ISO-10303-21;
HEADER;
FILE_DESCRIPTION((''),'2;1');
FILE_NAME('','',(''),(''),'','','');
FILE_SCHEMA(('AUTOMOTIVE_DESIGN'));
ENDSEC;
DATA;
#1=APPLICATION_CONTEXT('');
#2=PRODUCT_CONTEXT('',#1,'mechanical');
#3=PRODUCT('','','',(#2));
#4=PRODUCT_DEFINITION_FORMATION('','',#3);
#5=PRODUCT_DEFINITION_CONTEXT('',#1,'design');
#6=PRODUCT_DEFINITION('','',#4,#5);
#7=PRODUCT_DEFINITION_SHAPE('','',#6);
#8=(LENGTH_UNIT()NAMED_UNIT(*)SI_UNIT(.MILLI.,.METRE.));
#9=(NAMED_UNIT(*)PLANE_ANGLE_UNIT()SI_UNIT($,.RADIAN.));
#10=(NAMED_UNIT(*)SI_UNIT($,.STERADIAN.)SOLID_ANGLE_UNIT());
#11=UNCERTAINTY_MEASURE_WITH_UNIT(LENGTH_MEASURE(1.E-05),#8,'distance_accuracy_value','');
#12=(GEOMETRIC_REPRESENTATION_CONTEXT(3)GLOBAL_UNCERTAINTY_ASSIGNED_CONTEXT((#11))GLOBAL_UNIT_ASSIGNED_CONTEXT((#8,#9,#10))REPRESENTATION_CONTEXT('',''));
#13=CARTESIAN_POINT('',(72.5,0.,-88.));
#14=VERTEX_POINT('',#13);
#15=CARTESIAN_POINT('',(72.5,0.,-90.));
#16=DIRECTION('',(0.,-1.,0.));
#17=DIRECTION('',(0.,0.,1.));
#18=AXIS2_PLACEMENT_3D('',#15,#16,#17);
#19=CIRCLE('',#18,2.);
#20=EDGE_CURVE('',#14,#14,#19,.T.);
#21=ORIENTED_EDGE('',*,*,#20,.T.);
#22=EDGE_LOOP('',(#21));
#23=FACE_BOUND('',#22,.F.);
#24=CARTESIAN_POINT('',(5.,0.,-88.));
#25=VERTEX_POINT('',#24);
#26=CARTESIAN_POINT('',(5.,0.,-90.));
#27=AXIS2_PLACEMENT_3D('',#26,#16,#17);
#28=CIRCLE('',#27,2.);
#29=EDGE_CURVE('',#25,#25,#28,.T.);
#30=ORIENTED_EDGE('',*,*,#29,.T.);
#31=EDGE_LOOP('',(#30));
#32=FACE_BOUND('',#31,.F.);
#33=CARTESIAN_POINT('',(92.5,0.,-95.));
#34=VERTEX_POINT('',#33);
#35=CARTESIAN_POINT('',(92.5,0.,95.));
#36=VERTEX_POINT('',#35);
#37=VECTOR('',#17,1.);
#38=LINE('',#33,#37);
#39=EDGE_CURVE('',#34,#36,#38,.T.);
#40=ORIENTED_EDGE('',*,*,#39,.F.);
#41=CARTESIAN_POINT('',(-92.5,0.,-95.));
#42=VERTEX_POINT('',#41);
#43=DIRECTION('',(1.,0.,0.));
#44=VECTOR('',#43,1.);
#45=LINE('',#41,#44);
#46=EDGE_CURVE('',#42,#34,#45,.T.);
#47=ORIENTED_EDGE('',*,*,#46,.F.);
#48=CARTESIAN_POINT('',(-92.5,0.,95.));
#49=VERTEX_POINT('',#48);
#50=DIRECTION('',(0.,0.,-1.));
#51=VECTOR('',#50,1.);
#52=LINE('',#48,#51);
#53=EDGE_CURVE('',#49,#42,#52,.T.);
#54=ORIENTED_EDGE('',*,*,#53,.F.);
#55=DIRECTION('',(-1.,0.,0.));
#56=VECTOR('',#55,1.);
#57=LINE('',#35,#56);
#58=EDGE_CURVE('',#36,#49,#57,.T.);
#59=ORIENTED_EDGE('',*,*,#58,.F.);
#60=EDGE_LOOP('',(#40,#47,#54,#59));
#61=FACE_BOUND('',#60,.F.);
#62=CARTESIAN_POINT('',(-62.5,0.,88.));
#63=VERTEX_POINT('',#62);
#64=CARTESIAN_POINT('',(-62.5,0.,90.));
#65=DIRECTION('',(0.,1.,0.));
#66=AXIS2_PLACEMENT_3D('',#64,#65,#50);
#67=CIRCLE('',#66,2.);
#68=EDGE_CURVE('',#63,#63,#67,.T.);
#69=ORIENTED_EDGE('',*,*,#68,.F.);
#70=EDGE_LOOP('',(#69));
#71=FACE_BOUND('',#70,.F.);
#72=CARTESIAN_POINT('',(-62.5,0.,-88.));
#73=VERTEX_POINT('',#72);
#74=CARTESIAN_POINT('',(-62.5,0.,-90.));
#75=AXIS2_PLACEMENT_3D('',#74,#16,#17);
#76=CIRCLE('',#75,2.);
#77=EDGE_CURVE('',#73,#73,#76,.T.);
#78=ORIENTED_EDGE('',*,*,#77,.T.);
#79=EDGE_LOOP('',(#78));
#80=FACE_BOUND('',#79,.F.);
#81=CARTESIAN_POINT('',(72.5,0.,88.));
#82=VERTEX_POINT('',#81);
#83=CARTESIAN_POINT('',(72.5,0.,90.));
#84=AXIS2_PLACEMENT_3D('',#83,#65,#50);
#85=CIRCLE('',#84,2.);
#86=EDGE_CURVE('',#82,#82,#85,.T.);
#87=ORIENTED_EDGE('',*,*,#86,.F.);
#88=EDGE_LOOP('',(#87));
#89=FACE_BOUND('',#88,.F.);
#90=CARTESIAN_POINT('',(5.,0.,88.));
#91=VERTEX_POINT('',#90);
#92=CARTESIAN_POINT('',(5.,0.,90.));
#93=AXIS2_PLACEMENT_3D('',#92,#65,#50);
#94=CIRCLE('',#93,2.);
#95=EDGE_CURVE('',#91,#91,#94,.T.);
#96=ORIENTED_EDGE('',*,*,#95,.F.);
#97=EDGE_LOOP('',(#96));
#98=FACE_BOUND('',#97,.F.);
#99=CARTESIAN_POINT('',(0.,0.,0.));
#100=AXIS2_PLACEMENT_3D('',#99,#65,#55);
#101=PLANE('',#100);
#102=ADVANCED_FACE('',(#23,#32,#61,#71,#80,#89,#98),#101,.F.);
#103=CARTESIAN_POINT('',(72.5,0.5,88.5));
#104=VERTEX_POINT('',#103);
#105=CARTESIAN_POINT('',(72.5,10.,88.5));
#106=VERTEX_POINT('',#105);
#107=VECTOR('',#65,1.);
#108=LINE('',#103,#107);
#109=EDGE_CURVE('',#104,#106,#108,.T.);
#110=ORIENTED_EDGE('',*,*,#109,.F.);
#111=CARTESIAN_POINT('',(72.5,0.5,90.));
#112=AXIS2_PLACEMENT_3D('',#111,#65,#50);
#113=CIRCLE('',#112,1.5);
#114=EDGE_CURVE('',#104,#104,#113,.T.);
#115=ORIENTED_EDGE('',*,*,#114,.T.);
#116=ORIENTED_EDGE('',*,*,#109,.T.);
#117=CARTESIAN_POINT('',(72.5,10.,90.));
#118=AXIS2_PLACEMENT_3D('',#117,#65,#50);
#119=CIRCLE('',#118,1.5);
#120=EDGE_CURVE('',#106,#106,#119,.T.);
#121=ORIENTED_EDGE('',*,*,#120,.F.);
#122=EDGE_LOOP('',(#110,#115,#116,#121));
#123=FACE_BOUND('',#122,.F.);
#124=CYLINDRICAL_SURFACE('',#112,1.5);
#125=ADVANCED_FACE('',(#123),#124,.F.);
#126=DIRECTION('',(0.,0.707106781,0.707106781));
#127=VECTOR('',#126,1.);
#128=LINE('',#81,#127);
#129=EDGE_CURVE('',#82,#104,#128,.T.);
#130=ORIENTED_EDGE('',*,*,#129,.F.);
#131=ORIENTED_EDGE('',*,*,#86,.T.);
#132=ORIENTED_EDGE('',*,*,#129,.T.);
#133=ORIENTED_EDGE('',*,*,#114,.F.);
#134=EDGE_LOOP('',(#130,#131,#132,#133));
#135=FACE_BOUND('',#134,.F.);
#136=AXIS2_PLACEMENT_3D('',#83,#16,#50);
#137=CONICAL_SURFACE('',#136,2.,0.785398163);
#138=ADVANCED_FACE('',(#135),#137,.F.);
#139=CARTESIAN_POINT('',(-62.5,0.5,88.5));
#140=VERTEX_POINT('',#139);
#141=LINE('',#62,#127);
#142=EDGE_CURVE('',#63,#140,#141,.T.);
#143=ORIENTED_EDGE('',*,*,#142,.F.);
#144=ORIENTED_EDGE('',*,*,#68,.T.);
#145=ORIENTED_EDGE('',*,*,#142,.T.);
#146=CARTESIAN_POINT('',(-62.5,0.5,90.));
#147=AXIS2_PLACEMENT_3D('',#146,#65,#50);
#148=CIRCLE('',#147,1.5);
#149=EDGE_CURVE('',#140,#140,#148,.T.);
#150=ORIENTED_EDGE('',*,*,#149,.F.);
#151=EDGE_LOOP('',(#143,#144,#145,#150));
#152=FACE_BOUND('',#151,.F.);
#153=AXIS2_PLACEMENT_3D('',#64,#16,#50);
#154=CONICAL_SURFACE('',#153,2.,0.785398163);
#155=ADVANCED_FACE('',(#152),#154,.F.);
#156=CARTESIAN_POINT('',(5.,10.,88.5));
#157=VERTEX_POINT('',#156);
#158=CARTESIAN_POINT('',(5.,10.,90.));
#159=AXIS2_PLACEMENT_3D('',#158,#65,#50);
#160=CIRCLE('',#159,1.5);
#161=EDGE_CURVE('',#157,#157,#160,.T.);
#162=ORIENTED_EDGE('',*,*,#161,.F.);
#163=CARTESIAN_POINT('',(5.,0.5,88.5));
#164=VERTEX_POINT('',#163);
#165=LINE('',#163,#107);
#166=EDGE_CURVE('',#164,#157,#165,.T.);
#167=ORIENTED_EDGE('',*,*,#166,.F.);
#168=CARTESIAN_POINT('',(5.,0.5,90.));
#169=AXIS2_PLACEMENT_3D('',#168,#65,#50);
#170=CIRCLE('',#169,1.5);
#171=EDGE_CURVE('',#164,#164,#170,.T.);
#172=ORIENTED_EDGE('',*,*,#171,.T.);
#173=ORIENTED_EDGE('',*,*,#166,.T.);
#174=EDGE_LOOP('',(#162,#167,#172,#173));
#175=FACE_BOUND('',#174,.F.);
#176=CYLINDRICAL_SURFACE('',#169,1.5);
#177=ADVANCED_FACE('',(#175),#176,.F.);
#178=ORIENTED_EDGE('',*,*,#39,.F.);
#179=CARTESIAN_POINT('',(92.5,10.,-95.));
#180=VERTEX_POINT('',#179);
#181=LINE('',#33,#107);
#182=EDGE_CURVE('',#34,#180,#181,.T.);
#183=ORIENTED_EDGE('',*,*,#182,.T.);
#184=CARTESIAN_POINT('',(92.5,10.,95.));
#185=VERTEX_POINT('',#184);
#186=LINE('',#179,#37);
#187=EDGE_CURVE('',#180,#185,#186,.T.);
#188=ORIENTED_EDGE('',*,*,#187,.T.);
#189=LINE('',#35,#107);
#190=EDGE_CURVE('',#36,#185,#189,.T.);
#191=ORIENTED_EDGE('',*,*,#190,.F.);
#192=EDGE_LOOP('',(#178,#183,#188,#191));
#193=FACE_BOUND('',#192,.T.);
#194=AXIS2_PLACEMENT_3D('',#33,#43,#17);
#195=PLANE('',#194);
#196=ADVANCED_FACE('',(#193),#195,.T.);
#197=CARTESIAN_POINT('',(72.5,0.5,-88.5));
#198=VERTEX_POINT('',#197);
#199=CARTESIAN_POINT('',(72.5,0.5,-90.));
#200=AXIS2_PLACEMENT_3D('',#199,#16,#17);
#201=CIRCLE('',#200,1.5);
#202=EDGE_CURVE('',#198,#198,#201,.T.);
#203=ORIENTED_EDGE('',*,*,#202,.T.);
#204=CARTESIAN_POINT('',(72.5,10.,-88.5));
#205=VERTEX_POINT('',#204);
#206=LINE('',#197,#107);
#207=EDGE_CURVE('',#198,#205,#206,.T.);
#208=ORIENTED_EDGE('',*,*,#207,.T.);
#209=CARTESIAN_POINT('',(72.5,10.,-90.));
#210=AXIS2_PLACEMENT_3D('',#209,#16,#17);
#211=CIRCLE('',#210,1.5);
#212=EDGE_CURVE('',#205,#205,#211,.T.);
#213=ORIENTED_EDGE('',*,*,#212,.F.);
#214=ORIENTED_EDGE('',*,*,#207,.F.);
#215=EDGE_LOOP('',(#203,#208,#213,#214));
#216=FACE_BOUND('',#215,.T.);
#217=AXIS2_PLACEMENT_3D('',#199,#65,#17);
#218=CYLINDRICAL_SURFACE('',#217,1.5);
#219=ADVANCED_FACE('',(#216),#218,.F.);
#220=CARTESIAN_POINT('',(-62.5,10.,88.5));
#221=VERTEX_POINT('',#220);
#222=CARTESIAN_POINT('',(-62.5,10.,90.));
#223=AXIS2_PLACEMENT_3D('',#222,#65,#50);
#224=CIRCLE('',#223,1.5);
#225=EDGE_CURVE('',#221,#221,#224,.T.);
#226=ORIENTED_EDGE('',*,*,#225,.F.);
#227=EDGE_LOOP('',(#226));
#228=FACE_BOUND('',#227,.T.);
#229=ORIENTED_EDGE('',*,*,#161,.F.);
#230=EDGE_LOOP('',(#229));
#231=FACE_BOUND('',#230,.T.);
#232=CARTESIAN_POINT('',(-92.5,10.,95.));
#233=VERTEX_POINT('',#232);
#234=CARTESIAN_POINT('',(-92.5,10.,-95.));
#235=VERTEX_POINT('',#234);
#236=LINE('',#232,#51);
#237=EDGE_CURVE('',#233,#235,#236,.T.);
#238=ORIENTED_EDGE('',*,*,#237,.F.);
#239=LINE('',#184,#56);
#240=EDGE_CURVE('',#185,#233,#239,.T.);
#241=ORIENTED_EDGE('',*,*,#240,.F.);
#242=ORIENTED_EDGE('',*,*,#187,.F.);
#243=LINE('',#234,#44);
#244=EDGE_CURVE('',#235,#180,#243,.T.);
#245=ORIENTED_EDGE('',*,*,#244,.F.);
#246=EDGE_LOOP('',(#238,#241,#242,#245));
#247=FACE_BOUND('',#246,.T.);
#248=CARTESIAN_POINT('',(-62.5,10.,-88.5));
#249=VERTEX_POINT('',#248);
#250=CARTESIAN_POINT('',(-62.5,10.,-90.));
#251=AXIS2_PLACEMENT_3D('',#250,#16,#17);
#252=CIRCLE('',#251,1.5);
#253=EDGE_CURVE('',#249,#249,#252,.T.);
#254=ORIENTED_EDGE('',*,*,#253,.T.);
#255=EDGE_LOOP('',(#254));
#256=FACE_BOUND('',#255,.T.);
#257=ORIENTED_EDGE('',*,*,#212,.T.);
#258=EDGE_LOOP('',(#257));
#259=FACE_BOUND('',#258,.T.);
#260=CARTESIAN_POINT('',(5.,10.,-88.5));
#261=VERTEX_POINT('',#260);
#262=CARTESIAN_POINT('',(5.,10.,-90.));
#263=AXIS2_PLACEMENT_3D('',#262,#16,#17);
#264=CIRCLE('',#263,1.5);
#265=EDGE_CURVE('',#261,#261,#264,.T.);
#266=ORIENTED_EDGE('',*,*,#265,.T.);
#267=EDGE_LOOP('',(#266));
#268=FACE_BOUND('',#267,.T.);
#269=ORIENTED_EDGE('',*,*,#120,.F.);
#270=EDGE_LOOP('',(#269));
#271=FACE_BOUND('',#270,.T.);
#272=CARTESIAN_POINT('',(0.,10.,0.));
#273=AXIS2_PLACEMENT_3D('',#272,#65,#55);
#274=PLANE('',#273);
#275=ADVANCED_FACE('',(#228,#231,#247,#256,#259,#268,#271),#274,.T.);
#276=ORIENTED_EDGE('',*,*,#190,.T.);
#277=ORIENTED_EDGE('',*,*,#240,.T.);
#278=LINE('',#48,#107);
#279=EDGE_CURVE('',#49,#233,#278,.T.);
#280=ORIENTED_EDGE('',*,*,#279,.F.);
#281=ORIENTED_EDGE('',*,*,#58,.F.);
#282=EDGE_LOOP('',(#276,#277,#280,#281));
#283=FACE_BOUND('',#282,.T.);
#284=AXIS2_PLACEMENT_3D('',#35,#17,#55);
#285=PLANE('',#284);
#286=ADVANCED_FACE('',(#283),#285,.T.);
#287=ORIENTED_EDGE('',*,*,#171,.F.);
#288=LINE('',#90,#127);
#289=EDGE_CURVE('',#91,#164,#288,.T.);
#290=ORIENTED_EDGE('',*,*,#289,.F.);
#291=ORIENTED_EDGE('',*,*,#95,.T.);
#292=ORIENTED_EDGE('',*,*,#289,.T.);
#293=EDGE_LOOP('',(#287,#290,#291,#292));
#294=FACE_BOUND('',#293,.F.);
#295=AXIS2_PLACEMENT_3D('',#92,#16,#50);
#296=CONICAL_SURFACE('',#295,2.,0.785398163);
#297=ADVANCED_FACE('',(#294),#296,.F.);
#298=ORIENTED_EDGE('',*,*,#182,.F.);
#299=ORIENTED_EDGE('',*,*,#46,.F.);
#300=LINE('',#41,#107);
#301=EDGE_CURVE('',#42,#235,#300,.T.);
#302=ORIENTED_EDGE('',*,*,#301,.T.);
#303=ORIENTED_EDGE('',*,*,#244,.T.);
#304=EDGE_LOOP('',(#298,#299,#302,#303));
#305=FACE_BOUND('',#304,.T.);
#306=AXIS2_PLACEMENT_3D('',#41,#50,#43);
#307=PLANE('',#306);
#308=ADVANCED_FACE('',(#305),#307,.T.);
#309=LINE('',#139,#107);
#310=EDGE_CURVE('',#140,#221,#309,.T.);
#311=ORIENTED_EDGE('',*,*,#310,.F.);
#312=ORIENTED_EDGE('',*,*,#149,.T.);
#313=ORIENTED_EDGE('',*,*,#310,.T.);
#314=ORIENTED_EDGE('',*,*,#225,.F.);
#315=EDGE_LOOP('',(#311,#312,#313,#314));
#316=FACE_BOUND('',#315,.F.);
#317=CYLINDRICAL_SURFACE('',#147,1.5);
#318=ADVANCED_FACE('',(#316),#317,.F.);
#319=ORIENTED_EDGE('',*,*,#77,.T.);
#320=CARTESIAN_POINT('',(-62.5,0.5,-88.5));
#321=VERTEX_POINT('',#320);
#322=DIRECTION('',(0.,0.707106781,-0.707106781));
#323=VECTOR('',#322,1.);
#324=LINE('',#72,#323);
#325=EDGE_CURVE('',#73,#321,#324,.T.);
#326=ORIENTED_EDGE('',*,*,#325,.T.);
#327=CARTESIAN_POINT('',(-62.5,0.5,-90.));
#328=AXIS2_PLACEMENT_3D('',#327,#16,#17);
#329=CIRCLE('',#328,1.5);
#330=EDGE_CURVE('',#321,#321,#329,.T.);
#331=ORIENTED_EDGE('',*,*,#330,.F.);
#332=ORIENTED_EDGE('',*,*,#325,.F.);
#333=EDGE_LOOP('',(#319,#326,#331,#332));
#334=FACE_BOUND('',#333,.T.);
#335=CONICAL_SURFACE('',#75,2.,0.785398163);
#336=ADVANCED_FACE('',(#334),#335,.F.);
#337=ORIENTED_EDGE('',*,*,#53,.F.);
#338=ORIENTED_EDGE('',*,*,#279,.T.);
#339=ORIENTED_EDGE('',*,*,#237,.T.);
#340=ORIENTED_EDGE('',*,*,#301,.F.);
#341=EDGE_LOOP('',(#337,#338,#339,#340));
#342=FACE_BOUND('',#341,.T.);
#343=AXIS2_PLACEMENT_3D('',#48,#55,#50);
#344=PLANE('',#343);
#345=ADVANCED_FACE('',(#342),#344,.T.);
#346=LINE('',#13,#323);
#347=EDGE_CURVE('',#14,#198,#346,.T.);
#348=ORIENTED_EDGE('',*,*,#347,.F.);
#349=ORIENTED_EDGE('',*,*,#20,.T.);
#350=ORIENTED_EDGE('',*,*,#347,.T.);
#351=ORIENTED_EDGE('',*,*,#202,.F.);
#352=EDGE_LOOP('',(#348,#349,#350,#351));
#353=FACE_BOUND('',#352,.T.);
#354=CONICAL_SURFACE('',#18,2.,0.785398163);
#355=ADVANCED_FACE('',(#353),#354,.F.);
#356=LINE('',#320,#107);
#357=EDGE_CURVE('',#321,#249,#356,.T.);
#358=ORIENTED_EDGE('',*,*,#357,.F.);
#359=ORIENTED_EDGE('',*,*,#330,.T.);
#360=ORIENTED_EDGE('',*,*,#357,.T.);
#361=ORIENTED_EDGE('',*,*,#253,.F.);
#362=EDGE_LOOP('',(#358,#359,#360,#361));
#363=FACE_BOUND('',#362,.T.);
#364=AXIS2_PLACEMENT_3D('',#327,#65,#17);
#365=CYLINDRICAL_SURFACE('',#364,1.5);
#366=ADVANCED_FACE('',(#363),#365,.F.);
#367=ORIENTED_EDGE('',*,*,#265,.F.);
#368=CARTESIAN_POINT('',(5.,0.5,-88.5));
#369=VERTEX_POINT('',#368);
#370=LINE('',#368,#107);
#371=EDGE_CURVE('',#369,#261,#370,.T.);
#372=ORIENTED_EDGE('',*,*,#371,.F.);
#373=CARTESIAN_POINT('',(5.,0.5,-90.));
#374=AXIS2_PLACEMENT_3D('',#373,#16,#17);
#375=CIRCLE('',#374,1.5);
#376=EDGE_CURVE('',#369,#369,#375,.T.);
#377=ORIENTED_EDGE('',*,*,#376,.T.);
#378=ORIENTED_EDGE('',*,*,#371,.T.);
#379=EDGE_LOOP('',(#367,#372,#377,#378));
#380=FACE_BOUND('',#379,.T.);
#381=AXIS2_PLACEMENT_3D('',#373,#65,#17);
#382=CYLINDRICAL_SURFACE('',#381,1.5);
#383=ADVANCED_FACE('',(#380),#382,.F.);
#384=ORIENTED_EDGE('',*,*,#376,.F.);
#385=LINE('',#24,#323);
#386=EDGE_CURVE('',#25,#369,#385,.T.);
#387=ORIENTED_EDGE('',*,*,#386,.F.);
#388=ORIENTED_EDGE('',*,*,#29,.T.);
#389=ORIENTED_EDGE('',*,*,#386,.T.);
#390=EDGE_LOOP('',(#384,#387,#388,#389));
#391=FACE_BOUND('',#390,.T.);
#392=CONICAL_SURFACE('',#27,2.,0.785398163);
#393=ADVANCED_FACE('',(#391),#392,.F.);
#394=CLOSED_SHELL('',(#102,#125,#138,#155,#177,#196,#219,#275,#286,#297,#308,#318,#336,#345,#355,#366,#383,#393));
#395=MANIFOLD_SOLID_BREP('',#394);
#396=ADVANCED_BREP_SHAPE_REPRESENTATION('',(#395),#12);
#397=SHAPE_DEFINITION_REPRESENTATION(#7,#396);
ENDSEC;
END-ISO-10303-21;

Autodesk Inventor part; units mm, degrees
ref_plane "YZ Plane" through (0, 0, 0) normal (1, 0, 0) x (0, 1, 0)
ref_plane "XZ Plane" through (0, 0, 0) normal (0, 1, 0) x (-1, 0, 0)
ref_plane "XY Plane" through (0, 0, 0) normal (0, 0, 1) x (1, 0, 0)
sketch "Schizzo1" plane through (0, 0, 0) normal (0, 1, 0) x (-1, 0, 0)
  line L0 (-92.5, 95) -> (92.5, 95)
  line L1 (92.5, 95) -> (92.5, -95)
  line L2 (92.5, -95) -> (-92.5, -95)
  line L3 (-92.5, -95) -> (-92.5, 95)
  line L4 (-92.5, 95) -> (92.5, -95) construction
  line L5 (92.5, 95) -> (-92.5, -95) construction
  line L6 (118.5475, 95) -> (118.5475, 92.5) construction
  line L7 (103.3404, 0) -> (-125.0969, 0) construction
  line L8 (-92.5, 105.425) -> (-72.5, 105.425) construction
  line L9 (-72.5, 105.425) -> (-72.5, 79.9214) construction
  line L10 (-107.0445, 95) -> (-107.0445, 90) construction
  line L11 (-107.0445, 90) -> (178.9219, 90) construction
  line L12 (92.5, 110.0374) -> (62.5, 110.0374) construction
  line L13 (62.5, 110.0374) -> (62.5, 64.1892) construction
  line L14 (62.5, 124.2105) -> (-5, 124.2105) construction
  line L15 (-5, 124.2105) -> (-72.5, 124.2105) construction
  line L16 (-5, 124.2105) -> (-5, 64.1892) construction
  point P0 (0, 0)
  point P1 (62.5, 90)
  point P2 (-72.5, 90)
  point P3 (-5, 90)
  dimension "d0" = 185
  dimension "d1" = 190
  dimension "d39" = 20
  dimension "d40" = 5
  dimension "d41" = 30
  dimension "d57" = 67.5
extrude "Estrusione1" add sketch "Schizzo1" along normal blind 10
ref_plane "Piano di lavoro1" through (-103.3404, 0, 0) normal (0, 0, 1) x (1, 0, 0)
hole "Foro5" at (-62.5, 0, 90) at (72.5, 0, 90) at (5, 0, 90) direction (0, 1, 0) diameter 3 depth 10 countersink diameter 4 countersink angle 90
mirror "Speculare4" about plane through (-103.3404, 0, 0) normal (0, 0, 1) of "Foro5"
properties part number "Coperchio"
